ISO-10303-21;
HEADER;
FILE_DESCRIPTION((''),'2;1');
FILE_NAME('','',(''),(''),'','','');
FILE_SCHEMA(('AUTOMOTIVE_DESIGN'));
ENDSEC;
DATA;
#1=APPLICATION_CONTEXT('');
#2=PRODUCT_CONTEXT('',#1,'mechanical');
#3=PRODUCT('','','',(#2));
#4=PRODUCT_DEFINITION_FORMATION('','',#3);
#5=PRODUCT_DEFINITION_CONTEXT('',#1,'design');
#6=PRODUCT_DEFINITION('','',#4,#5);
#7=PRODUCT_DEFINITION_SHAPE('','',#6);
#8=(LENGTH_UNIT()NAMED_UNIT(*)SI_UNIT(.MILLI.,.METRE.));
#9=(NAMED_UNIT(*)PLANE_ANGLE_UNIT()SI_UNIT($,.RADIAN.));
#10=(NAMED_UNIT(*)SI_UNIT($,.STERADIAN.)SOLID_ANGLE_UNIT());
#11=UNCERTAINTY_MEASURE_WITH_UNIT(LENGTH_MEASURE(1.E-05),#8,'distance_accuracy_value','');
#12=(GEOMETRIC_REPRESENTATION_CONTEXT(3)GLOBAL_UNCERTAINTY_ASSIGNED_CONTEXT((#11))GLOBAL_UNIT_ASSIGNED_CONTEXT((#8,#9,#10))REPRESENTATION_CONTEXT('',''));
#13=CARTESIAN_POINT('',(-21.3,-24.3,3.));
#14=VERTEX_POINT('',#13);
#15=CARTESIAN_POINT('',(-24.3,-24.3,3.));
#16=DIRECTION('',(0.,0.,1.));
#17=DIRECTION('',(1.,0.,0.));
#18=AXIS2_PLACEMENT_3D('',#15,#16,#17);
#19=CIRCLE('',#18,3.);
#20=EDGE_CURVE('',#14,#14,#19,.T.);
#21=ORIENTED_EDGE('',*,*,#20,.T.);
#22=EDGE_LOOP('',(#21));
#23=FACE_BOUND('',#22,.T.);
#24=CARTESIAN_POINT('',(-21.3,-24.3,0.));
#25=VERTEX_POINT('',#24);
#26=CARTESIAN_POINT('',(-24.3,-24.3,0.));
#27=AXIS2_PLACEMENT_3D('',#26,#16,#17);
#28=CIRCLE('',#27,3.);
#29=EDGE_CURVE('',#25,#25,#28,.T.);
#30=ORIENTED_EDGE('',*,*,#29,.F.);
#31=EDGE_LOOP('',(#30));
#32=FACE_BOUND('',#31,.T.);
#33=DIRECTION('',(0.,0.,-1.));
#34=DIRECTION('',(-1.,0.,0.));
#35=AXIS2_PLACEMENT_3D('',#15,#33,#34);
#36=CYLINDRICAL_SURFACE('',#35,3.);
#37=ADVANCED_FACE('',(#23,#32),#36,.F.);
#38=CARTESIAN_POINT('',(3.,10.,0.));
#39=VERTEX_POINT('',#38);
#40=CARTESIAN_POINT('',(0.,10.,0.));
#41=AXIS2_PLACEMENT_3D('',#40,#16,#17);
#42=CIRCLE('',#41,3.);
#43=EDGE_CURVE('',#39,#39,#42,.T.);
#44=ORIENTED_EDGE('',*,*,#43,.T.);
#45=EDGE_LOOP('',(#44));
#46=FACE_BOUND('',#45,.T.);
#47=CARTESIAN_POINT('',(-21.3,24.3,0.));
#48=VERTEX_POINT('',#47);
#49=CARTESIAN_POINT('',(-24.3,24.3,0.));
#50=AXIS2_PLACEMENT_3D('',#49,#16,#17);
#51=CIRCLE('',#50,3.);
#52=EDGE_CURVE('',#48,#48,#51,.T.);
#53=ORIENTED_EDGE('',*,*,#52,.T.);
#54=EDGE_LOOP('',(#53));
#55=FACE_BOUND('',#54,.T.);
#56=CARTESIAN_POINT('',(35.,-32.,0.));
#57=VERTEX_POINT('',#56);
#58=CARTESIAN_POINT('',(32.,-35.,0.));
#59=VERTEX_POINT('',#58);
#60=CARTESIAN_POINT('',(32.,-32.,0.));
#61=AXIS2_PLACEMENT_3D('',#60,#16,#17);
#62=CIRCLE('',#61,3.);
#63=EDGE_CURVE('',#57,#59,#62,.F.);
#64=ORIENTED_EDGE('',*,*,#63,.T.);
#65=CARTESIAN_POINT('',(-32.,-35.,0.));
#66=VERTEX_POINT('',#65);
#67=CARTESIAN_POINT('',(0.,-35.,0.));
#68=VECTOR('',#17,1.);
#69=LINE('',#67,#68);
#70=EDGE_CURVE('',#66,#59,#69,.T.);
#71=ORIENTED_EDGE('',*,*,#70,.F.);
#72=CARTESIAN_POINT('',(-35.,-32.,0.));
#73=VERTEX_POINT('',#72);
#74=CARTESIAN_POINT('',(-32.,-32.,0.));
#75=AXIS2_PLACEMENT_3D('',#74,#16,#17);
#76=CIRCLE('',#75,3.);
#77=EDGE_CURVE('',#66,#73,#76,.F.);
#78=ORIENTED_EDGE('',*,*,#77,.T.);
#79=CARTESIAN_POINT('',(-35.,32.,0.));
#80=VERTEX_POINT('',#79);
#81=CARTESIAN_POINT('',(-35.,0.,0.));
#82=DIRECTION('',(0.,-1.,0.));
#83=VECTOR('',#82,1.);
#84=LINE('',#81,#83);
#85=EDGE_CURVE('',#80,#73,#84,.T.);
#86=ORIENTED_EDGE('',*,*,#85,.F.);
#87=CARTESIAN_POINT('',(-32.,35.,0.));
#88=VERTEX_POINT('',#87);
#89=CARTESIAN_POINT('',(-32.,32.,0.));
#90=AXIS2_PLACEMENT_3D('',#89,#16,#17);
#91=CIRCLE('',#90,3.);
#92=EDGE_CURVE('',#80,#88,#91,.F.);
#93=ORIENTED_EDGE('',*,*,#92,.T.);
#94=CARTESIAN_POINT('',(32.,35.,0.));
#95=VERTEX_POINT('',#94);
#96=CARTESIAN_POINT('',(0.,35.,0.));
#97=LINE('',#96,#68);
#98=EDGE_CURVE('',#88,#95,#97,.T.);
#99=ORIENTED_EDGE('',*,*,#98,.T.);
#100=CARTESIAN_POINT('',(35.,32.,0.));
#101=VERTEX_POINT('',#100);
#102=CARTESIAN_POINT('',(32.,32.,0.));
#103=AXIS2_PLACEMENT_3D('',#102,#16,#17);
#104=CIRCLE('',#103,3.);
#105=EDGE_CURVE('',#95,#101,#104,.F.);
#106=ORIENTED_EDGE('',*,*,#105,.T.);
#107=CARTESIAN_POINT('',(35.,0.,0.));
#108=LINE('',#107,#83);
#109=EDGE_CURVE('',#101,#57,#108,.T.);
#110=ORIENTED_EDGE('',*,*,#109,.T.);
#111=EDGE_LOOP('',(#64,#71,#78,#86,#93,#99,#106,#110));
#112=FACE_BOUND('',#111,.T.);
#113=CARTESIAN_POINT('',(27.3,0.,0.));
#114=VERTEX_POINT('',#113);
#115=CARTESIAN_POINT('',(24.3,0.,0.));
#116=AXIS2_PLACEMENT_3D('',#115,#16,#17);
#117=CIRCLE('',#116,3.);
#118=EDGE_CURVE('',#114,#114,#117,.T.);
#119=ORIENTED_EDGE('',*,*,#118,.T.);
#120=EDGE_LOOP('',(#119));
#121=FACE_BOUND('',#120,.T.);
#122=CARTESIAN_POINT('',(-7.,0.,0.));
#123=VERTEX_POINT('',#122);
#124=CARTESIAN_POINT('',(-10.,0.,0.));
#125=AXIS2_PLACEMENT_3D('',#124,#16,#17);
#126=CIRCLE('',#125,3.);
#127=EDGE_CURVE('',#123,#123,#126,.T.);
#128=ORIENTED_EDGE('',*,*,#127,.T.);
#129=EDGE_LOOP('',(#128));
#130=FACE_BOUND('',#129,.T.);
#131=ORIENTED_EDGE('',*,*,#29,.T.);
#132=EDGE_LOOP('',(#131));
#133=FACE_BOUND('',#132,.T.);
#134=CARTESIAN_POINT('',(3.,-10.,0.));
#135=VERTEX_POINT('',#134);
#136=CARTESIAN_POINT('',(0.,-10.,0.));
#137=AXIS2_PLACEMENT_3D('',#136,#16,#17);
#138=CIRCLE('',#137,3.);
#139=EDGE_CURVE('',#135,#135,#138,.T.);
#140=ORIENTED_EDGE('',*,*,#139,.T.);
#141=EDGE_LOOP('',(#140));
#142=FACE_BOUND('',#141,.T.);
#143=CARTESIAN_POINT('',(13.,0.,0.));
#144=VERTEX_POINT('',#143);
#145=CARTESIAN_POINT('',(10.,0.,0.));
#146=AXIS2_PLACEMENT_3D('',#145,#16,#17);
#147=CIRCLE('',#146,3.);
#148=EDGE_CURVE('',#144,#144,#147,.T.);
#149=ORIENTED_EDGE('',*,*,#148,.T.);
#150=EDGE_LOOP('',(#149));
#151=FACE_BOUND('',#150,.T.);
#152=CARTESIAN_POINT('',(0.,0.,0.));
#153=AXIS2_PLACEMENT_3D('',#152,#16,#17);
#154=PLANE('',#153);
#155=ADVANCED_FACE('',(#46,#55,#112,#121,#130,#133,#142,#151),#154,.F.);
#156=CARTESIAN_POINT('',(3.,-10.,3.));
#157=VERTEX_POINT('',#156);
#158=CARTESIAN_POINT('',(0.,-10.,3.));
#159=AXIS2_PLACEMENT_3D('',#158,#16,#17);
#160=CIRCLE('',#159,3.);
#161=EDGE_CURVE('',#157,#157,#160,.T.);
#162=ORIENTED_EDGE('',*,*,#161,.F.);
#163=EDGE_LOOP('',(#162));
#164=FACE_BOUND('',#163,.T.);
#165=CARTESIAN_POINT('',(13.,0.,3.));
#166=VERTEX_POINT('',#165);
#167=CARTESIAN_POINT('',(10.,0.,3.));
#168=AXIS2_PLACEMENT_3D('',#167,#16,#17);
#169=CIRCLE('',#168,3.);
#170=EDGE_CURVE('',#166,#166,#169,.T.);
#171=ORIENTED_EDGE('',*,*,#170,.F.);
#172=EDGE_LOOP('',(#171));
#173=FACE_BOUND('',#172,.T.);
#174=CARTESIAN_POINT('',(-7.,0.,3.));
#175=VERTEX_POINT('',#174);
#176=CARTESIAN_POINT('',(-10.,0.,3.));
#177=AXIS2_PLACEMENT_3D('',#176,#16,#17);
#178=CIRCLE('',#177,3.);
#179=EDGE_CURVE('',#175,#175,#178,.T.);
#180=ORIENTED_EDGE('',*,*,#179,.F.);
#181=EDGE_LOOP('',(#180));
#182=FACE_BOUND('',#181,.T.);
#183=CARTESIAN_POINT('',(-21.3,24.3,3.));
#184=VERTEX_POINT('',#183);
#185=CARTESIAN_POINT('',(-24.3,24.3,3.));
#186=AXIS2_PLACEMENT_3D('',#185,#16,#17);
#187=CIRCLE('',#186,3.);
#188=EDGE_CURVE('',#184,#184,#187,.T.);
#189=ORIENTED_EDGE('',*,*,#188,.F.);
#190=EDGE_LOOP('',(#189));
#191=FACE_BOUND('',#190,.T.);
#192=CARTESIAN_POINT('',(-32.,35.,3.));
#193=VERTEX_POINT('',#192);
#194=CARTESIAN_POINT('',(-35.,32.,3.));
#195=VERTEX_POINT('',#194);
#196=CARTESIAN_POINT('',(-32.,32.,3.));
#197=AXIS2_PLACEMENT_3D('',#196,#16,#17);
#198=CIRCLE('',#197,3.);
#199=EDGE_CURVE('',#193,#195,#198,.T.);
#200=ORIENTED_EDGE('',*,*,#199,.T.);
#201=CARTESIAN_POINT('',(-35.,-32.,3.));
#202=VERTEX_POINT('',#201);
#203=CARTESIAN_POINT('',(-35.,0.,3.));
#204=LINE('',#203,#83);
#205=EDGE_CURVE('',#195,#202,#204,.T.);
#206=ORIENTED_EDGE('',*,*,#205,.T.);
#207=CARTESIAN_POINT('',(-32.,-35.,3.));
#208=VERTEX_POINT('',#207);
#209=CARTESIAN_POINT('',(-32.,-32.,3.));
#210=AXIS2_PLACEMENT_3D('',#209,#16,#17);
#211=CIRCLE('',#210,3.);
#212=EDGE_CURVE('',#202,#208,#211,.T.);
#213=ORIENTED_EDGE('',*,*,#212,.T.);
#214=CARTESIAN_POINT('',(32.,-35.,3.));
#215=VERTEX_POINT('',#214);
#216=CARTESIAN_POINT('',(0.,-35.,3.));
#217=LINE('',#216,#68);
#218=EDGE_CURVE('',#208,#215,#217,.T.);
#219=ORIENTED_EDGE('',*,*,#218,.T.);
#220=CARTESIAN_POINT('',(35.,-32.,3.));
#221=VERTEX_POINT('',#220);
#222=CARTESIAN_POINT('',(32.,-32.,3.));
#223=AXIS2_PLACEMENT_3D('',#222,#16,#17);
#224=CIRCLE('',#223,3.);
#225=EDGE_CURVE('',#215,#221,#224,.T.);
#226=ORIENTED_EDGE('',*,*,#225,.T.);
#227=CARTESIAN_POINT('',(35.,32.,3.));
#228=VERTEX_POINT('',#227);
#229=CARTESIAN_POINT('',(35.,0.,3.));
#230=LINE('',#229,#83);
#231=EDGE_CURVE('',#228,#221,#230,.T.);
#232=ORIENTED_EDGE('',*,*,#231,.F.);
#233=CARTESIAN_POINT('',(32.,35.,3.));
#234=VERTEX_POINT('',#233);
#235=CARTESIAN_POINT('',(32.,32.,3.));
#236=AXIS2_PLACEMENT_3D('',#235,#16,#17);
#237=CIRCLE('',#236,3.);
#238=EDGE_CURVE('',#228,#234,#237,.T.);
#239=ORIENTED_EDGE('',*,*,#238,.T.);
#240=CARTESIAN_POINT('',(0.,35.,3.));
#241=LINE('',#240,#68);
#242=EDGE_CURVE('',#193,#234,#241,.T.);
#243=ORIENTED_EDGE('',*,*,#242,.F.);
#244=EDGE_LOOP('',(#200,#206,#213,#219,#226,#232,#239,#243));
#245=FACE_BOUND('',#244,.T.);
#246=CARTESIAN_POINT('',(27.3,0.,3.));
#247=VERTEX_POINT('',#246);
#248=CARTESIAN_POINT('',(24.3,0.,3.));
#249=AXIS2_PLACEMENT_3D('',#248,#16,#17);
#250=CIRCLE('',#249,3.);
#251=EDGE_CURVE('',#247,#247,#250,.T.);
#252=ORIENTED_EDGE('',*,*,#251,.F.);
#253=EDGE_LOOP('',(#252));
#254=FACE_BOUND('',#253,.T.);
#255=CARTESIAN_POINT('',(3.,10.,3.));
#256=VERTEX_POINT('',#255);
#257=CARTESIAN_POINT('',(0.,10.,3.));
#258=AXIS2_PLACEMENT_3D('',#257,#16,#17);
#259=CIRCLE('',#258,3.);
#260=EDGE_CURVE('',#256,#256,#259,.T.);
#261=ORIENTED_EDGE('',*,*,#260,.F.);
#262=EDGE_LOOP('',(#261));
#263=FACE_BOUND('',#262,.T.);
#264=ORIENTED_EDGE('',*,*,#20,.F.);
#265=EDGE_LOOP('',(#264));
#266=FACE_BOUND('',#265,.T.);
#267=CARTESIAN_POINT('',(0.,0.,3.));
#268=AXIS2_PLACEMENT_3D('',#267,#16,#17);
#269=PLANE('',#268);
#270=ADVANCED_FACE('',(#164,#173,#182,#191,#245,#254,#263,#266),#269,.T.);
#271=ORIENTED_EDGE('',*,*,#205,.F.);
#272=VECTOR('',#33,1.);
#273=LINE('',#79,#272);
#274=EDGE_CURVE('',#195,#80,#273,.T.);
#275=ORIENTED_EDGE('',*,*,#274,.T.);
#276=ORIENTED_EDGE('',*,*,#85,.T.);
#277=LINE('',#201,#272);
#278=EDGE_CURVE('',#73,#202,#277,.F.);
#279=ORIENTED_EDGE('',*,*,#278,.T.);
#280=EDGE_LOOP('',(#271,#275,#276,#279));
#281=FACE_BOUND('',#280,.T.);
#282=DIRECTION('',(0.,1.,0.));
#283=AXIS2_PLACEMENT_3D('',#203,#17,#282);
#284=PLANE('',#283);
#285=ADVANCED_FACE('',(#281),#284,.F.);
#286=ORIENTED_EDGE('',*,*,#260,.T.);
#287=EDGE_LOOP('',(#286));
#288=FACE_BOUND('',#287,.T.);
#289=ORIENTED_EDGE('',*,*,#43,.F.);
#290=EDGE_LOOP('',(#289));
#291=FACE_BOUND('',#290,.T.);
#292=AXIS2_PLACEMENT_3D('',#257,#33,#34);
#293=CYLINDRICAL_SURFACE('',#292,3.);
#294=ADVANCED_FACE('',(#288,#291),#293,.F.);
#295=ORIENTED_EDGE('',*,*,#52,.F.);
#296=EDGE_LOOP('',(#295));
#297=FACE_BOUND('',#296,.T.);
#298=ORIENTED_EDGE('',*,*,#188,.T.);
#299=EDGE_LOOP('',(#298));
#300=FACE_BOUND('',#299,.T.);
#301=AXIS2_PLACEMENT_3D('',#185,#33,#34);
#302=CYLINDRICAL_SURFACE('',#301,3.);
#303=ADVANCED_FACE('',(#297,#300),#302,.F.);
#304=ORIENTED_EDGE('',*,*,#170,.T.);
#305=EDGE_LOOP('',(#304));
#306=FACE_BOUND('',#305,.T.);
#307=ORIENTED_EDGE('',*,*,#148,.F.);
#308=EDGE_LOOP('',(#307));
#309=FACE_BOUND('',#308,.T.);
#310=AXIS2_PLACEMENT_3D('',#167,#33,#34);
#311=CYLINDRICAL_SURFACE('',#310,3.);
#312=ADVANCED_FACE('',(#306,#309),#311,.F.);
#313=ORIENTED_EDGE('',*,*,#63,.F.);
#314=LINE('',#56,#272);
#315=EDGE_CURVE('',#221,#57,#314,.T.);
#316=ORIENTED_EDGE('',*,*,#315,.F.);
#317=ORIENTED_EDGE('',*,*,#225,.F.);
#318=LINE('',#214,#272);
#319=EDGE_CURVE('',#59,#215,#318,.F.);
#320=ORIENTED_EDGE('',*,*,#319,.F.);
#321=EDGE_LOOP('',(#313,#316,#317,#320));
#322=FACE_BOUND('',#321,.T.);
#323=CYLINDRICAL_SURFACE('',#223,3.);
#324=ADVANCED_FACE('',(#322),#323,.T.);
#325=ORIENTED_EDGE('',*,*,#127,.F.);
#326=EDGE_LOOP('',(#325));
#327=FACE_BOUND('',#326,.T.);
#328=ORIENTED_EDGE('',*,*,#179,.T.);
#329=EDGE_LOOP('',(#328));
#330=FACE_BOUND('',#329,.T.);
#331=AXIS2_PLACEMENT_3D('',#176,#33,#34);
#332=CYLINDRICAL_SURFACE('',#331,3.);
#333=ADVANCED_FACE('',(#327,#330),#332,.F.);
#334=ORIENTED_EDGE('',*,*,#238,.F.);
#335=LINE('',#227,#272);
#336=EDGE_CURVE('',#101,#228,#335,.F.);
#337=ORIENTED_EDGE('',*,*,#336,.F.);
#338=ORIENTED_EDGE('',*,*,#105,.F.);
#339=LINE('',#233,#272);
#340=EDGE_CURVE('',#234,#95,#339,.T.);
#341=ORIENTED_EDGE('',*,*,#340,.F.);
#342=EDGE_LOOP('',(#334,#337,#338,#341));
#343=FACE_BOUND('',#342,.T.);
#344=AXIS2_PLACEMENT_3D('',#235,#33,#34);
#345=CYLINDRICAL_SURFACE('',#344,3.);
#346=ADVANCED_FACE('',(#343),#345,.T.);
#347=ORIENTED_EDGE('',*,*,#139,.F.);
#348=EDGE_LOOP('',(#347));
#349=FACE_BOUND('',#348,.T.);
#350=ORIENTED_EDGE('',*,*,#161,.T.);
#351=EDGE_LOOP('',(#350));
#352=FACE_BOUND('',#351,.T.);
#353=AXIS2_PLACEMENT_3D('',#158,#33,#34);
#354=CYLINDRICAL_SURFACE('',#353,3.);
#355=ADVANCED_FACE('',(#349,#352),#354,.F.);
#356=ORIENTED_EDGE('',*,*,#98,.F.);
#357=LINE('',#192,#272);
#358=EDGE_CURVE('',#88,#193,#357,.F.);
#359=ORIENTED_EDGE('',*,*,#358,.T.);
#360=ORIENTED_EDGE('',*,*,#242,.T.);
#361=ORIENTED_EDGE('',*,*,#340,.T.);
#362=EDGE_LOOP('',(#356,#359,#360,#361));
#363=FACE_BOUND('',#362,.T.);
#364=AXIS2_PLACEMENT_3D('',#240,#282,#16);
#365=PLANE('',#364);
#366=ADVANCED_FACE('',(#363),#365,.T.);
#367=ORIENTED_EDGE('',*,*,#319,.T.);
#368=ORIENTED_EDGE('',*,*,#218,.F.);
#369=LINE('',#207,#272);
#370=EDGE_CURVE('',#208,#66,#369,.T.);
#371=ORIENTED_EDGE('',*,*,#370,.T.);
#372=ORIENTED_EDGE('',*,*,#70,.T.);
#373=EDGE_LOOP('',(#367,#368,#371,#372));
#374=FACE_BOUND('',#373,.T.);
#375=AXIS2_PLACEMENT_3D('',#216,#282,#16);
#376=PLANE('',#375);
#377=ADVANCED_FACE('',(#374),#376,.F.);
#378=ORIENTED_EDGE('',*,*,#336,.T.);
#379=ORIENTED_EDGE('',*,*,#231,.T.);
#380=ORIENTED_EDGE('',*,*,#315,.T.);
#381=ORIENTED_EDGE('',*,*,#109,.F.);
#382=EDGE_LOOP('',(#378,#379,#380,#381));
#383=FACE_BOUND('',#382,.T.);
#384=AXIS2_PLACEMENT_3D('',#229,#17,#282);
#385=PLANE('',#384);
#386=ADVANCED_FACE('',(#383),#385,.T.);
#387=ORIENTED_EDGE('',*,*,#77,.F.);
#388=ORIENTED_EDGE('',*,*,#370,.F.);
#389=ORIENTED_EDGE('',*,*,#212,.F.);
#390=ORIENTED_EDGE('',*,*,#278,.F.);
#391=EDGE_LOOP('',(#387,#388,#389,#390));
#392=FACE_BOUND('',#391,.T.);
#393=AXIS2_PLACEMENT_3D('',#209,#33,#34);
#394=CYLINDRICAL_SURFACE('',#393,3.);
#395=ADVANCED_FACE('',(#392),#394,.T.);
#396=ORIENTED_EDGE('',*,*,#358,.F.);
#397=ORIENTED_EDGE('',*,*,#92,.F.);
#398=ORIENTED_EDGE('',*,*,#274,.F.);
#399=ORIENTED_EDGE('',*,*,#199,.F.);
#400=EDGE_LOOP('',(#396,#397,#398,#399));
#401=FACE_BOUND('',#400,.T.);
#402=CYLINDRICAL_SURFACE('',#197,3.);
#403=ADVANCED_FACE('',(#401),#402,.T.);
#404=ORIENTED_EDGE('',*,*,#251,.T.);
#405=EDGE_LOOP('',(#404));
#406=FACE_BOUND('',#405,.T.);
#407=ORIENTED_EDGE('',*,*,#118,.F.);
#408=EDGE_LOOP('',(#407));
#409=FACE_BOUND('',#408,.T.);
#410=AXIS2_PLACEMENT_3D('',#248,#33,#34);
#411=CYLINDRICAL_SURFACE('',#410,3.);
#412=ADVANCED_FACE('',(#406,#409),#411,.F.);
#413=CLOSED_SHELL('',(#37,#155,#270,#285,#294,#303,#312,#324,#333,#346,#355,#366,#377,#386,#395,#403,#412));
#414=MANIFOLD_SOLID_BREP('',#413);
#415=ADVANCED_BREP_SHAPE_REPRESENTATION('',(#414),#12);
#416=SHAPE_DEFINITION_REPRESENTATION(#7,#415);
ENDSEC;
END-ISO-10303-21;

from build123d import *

# Parameters (mm, degrees)
SKETCH3_W           = 70
SKETCH3_H           = 70
SKETCH3_R           = 3
BOSS_EXTRUDE2_DEPTH = 3
FILLET2_R           = 3


with BuildPart() as part:
    # Sketch3 → Boss-Extrude2 (new body)
    with BuildSketch(Plane.XY):
        Rectangle(SKETCH3_W, SKETCH3_H)
        with Locations((0, 10)):
            Circle(SKETCH3_R, mode=Mode.SUBTRACT)
        with Locations((-24.3, 24.3)):
            Circle(SKETCH3_R, mode=Mode.SUBTRACT)
        with Locations((10, 0)):
            Circle(SKETCH3_R, mode=Mode.SUBTRACT)
        with Locations((0, -10)):
            Circle(SKETCH3_R, mode=Mode.SUBTRACT)
        with Locations((-10, 0)):
            Circle(SKETCH3_R, mode=Mode.SUBTRACT)
        with Locations((-24.3, -24.3)):
            Circle(SKETCH3_R, mode=Mode.SUBTRACT)
        with Locations((24.3, 0)):
            Circle(SKETCH3_R, mode=Mode.SUBTRACT)
    extrude(amount=BOSS_EXTRUDE2_DEPTH)

    # Fillet2
    fillet2_edges = [part.edges().sort_by_distance(p)[0] for p in [
        (35, -35, 1.5),
        (-35, -35, 1.5),
        (-35, 35, 1.5),
        (35, 35, 1.5),
    ]]
    fillet(fillet2_edges, radius=FILLET2_R)


solid = part.part
